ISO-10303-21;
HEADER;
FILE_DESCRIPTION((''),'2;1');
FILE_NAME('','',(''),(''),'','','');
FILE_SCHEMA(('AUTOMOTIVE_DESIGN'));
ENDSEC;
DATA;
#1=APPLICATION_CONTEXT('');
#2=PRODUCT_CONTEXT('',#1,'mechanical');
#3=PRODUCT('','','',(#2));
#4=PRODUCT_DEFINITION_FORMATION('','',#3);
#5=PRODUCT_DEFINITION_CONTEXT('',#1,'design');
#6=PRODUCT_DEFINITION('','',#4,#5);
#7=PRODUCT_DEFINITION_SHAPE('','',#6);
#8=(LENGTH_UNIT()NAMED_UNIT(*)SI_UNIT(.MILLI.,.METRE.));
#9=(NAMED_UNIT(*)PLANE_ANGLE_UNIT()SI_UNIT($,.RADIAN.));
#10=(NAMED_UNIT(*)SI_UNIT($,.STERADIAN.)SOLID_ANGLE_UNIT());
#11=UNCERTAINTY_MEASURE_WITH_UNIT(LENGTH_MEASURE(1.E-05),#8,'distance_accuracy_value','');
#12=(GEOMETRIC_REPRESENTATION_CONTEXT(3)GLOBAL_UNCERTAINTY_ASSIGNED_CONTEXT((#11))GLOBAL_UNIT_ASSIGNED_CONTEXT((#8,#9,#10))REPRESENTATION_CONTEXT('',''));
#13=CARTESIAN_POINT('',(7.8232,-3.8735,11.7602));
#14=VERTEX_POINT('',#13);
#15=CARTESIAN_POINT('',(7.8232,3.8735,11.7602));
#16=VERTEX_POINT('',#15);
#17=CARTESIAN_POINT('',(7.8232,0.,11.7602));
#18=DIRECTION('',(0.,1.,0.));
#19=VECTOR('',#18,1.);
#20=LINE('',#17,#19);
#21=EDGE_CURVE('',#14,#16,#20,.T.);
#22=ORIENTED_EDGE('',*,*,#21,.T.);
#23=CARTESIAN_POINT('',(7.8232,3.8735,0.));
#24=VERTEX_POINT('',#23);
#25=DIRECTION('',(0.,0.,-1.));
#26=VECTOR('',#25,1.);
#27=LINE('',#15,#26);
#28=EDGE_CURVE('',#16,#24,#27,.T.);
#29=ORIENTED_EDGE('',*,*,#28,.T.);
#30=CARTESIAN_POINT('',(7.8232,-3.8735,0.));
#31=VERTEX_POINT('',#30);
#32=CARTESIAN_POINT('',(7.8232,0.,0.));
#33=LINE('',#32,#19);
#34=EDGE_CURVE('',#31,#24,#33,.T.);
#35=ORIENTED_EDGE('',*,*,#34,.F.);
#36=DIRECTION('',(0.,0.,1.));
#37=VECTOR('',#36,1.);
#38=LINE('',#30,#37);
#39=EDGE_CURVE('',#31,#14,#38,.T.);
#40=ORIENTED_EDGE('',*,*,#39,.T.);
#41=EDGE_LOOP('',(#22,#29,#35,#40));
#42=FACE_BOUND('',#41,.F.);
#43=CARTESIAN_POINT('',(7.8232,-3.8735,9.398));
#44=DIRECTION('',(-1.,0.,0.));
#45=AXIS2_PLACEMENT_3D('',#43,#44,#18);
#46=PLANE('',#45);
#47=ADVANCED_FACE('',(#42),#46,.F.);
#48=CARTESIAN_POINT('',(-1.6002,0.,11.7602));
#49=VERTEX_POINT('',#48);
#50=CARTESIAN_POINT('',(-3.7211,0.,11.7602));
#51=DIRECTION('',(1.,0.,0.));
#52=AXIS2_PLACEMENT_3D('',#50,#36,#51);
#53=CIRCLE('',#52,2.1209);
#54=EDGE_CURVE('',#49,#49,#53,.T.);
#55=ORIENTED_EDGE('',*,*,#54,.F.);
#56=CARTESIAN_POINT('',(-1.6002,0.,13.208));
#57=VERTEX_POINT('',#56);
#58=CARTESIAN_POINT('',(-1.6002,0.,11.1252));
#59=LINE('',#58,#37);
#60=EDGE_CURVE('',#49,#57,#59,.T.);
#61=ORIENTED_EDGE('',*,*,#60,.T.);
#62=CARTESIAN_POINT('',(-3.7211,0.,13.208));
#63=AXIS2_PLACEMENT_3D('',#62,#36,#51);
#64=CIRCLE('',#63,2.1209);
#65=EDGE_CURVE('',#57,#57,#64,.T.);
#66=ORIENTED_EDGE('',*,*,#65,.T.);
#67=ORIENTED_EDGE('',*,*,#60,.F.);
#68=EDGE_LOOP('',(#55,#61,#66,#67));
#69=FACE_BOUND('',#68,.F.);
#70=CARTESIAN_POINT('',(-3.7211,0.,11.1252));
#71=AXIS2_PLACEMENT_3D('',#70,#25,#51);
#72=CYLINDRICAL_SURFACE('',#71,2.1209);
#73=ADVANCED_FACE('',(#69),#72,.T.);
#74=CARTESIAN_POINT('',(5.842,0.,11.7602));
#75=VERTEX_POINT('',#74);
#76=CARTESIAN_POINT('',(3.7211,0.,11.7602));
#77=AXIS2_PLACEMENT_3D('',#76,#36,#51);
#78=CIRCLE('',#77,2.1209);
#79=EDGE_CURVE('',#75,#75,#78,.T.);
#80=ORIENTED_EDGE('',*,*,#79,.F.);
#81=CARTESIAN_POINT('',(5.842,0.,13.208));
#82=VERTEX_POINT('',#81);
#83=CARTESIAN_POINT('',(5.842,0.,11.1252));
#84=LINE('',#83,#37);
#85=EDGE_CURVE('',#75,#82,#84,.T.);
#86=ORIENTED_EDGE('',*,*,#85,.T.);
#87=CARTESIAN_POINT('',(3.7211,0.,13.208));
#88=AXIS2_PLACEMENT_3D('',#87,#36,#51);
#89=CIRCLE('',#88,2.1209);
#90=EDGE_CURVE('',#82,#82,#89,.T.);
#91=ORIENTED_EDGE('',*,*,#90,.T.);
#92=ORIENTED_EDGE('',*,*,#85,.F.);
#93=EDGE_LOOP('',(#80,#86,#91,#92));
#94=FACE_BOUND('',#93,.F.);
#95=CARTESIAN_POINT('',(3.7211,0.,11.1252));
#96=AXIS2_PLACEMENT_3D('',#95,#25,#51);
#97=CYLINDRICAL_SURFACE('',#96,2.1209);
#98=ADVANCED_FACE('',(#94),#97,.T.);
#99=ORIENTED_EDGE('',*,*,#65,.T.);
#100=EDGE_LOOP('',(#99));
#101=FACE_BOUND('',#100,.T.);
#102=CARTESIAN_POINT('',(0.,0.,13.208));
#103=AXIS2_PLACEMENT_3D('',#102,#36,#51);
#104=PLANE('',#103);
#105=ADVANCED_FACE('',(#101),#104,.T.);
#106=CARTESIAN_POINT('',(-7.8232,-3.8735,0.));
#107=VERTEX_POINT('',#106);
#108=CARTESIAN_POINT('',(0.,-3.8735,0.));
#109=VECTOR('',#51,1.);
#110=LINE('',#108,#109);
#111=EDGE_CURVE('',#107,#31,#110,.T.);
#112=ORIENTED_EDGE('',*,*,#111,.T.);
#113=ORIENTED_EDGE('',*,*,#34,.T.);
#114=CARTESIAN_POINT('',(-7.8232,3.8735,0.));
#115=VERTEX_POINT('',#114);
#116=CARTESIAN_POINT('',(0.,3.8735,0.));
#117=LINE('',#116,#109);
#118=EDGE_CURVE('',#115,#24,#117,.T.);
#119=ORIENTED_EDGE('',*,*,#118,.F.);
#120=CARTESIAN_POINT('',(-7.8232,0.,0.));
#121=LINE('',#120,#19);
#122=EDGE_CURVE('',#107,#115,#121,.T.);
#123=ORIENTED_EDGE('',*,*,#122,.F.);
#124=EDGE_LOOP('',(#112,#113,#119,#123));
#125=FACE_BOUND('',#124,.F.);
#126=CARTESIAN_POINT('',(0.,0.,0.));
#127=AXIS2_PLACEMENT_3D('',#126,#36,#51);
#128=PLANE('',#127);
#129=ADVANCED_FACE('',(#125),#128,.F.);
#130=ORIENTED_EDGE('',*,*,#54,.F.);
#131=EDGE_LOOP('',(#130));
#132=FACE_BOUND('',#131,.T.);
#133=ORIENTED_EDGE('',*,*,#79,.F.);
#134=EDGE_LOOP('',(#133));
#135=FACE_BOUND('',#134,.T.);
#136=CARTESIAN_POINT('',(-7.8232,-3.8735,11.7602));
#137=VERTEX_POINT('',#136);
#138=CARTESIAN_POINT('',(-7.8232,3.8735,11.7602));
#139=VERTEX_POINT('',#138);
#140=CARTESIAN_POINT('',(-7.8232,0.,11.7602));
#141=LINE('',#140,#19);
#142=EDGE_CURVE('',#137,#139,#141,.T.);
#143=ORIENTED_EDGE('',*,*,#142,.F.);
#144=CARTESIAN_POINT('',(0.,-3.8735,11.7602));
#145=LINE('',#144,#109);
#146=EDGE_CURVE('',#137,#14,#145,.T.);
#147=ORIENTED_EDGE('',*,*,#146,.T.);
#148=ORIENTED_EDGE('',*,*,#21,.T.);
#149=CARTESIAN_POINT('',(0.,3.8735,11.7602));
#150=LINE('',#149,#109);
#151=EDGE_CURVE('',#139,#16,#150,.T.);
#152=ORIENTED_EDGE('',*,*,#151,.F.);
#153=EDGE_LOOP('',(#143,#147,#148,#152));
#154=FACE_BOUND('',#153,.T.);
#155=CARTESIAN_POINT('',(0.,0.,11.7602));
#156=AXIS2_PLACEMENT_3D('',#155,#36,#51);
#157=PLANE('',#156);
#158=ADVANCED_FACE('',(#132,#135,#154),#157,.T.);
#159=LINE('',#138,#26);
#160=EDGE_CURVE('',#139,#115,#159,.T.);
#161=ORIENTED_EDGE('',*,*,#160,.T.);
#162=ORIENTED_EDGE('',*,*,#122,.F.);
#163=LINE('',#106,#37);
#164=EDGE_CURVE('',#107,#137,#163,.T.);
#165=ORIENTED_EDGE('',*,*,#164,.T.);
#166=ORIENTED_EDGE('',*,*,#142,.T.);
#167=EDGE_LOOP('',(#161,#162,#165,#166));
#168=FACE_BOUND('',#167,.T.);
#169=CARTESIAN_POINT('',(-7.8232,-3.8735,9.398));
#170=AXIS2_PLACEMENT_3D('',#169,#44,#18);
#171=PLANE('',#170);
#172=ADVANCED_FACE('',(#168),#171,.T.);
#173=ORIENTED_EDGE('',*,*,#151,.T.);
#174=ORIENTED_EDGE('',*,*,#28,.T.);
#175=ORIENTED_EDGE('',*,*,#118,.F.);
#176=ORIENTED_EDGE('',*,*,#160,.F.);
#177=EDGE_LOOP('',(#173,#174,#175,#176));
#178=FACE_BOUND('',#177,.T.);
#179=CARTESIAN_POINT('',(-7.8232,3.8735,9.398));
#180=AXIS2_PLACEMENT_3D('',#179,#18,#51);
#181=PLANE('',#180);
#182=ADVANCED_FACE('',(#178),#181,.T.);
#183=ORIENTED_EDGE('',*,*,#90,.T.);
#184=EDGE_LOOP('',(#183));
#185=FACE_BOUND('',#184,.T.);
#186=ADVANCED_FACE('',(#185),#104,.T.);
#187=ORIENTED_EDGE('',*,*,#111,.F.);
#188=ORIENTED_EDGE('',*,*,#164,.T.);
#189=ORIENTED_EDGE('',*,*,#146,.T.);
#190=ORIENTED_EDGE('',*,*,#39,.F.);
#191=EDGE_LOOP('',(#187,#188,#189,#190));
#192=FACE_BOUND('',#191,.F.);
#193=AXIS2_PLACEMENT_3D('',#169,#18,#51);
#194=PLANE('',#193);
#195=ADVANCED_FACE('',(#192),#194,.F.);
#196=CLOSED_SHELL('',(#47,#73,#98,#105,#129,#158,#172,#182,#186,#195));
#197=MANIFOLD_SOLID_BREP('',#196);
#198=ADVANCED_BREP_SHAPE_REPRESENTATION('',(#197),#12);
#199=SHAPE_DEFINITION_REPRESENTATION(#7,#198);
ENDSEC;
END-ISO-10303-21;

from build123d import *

# Parameters (mm, degrees)
F0_W     = 15.6464
F0_H     = 7.747
F1_DEPTH = 9.398
F2_W     = 15.6464
F2_H     = 7.747
F2_R     = 2.1209
F3_DEPTH = 2.3622
F4_DEPTH = 1.7272
F5_DEPTH = 2.0828


with BuildPart() as f1:
    # F0 (on Top) → F1 (new body)
    with BuildSketch(Plane.XY):
        Rectangle(F0_W, F0_H)
    extrude(amount=F1_DEPTH)

    # F2 (on face) → F3 (join)
    with BuildSketch(Plane.XY.offset(9.398)):
        Rectangle(F2_W, F2_H)
        with Locations((-3.7211, 0)):
            Circle(F2_R, mode=Mode.SUBTRACT)
        with Locations((3.7211, 0)):
            Circle(F2_R, mode=Mode.SUBTRACT)
    extrude(amount=F3_DEPTH)

    # F4 (add): faces of the model
    f4_faces = [f1.faces().sort_by_distance(p)[0] for p in [
        (3.7211, 0, 9.398),
        (-3.7211, 0, 9.398),
    ]]
    extrude(f4_faces, amount=F4_DEPTH)

    # F5 (add): faces of the model
    f5_faces = [f1.faces().sort_by_distance(p)[0] for p in [
        (-3.7211, 0, 11.1252),
        (3.7211, 0, 11.1252),
        (-3.7211, 0, 11.1252),
        (3.7211, 0, 11.1252),
    ]]
    extrude(f5_faces, amount=F5_DEPTH)


solid = f1.part
